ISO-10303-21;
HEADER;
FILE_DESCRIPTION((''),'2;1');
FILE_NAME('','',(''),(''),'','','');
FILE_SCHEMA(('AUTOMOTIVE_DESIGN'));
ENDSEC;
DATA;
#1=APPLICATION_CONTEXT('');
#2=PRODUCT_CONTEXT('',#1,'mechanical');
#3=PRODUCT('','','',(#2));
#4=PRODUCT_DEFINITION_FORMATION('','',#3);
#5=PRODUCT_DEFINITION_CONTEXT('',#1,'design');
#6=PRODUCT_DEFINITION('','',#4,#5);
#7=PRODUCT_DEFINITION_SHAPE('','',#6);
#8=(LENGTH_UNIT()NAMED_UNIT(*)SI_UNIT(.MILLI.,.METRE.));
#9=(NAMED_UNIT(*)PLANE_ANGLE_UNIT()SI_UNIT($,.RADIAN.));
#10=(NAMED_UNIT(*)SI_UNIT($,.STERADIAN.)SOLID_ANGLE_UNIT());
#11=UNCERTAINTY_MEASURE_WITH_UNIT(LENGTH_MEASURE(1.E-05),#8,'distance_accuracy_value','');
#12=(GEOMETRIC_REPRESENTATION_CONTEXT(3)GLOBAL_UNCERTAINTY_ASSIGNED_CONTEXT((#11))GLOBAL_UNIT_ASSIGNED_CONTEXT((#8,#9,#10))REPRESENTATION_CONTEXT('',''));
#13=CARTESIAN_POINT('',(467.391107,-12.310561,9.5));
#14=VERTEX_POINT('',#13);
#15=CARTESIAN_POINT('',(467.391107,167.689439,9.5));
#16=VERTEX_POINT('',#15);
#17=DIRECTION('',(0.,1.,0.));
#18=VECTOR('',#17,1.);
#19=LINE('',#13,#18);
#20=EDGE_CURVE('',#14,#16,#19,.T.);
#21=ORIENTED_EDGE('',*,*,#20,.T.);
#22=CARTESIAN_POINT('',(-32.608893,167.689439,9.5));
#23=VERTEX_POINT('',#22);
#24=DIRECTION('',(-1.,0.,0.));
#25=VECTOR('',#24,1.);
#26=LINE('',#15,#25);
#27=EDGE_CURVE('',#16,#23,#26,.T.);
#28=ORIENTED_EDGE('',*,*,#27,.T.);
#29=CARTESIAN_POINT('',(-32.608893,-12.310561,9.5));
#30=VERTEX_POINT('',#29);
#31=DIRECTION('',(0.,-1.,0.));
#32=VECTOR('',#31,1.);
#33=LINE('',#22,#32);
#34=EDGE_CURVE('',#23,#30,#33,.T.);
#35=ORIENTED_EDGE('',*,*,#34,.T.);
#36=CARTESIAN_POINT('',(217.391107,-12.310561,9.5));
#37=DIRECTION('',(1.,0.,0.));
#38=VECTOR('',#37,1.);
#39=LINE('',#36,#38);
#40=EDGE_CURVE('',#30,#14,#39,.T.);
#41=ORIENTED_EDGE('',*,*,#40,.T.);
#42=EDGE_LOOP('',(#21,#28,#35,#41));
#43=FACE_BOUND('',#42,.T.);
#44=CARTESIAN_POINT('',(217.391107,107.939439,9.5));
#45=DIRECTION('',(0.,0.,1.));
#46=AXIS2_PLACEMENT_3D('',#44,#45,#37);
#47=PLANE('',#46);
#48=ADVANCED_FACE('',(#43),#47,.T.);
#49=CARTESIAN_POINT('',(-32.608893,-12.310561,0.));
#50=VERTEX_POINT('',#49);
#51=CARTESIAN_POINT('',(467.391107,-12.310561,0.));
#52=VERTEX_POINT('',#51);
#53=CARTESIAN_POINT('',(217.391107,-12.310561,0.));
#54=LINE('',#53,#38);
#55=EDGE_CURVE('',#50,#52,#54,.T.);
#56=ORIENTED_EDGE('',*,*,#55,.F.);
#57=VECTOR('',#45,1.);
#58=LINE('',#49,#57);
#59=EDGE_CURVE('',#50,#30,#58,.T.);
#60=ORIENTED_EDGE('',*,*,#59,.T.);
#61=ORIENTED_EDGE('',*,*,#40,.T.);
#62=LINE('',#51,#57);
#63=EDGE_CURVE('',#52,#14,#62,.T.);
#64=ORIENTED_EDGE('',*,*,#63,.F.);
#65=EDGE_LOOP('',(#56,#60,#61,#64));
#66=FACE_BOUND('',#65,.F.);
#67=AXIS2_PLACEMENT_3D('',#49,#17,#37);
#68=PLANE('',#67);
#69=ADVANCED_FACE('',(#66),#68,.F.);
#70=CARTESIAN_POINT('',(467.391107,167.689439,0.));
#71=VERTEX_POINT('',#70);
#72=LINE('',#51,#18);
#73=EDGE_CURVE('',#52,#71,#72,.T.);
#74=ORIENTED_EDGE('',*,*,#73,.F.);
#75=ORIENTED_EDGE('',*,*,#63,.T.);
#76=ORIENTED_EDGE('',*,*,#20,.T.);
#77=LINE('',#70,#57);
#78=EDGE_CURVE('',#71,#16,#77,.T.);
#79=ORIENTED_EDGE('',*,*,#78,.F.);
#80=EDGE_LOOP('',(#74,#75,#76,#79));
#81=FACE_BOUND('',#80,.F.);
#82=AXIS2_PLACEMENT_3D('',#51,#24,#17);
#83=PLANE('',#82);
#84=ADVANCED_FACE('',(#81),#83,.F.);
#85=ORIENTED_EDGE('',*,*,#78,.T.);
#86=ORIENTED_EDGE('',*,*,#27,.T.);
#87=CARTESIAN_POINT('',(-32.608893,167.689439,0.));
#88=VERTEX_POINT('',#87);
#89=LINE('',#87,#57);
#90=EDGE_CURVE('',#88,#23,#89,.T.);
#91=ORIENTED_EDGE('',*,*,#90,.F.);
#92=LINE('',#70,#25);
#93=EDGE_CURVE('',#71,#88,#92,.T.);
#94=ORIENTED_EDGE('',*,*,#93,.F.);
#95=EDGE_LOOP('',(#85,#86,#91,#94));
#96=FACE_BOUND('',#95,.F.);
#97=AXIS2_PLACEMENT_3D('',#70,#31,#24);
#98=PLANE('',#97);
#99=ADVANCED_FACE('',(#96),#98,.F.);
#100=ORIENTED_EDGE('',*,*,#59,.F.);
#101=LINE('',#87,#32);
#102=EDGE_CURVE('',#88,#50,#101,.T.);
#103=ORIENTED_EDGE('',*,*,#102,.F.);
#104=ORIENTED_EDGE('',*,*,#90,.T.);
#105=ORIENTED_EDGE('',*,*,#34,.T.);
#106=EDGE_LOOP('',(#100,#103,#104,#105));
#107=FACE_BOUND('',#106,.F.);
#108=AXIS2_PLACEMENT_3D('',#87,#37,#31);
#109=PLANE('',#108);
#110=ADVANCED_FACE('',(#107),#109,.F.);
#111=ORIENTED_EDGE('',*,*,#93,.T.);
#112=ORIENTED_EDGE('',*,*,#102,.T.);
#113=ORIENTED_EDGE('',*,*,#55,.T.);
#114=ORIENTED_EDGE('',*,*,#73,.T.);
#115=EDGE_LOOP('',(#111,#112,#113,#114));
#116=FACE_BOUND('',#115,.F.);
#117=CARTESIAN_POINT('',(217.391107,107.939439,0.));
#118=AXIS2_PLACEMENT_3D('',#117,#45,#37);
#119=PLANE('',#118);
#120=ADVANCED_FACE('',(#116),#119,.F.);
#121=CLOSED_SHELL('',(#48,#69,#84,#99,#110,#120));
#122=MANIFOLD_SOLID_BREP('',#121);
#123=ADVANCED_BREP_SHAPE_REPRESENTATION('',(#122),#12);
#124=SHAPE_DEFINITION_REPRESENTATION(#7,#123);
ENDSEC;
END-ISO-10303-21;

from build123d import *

# Parameters (mm, degrees)
F0_W     = 500
F0_H     = 30.5
F0_H_2   = 30
F1_DEPTH = 9.5


with BuildPart() as f1:
    # F0 (on Top) → F1 (new body)
    with BuildSketch(Plane.XY):
        Polygon((-32.608893, 97.689439), (-32.608893, 48.189439), (467.391107, 48.189439), (467.391107, 167.689439), (-32.608893, 167.689439), align=None)
        with Locations((217.391107, 32.939439)):
            Rectangle(F0_W, F0_H)
        with Locations((217.391107, 2.689439)):
            Rectangle(F0_W, F0_H_2)
    extrude(amount=F1_DEPTH)


solid = f1.part
